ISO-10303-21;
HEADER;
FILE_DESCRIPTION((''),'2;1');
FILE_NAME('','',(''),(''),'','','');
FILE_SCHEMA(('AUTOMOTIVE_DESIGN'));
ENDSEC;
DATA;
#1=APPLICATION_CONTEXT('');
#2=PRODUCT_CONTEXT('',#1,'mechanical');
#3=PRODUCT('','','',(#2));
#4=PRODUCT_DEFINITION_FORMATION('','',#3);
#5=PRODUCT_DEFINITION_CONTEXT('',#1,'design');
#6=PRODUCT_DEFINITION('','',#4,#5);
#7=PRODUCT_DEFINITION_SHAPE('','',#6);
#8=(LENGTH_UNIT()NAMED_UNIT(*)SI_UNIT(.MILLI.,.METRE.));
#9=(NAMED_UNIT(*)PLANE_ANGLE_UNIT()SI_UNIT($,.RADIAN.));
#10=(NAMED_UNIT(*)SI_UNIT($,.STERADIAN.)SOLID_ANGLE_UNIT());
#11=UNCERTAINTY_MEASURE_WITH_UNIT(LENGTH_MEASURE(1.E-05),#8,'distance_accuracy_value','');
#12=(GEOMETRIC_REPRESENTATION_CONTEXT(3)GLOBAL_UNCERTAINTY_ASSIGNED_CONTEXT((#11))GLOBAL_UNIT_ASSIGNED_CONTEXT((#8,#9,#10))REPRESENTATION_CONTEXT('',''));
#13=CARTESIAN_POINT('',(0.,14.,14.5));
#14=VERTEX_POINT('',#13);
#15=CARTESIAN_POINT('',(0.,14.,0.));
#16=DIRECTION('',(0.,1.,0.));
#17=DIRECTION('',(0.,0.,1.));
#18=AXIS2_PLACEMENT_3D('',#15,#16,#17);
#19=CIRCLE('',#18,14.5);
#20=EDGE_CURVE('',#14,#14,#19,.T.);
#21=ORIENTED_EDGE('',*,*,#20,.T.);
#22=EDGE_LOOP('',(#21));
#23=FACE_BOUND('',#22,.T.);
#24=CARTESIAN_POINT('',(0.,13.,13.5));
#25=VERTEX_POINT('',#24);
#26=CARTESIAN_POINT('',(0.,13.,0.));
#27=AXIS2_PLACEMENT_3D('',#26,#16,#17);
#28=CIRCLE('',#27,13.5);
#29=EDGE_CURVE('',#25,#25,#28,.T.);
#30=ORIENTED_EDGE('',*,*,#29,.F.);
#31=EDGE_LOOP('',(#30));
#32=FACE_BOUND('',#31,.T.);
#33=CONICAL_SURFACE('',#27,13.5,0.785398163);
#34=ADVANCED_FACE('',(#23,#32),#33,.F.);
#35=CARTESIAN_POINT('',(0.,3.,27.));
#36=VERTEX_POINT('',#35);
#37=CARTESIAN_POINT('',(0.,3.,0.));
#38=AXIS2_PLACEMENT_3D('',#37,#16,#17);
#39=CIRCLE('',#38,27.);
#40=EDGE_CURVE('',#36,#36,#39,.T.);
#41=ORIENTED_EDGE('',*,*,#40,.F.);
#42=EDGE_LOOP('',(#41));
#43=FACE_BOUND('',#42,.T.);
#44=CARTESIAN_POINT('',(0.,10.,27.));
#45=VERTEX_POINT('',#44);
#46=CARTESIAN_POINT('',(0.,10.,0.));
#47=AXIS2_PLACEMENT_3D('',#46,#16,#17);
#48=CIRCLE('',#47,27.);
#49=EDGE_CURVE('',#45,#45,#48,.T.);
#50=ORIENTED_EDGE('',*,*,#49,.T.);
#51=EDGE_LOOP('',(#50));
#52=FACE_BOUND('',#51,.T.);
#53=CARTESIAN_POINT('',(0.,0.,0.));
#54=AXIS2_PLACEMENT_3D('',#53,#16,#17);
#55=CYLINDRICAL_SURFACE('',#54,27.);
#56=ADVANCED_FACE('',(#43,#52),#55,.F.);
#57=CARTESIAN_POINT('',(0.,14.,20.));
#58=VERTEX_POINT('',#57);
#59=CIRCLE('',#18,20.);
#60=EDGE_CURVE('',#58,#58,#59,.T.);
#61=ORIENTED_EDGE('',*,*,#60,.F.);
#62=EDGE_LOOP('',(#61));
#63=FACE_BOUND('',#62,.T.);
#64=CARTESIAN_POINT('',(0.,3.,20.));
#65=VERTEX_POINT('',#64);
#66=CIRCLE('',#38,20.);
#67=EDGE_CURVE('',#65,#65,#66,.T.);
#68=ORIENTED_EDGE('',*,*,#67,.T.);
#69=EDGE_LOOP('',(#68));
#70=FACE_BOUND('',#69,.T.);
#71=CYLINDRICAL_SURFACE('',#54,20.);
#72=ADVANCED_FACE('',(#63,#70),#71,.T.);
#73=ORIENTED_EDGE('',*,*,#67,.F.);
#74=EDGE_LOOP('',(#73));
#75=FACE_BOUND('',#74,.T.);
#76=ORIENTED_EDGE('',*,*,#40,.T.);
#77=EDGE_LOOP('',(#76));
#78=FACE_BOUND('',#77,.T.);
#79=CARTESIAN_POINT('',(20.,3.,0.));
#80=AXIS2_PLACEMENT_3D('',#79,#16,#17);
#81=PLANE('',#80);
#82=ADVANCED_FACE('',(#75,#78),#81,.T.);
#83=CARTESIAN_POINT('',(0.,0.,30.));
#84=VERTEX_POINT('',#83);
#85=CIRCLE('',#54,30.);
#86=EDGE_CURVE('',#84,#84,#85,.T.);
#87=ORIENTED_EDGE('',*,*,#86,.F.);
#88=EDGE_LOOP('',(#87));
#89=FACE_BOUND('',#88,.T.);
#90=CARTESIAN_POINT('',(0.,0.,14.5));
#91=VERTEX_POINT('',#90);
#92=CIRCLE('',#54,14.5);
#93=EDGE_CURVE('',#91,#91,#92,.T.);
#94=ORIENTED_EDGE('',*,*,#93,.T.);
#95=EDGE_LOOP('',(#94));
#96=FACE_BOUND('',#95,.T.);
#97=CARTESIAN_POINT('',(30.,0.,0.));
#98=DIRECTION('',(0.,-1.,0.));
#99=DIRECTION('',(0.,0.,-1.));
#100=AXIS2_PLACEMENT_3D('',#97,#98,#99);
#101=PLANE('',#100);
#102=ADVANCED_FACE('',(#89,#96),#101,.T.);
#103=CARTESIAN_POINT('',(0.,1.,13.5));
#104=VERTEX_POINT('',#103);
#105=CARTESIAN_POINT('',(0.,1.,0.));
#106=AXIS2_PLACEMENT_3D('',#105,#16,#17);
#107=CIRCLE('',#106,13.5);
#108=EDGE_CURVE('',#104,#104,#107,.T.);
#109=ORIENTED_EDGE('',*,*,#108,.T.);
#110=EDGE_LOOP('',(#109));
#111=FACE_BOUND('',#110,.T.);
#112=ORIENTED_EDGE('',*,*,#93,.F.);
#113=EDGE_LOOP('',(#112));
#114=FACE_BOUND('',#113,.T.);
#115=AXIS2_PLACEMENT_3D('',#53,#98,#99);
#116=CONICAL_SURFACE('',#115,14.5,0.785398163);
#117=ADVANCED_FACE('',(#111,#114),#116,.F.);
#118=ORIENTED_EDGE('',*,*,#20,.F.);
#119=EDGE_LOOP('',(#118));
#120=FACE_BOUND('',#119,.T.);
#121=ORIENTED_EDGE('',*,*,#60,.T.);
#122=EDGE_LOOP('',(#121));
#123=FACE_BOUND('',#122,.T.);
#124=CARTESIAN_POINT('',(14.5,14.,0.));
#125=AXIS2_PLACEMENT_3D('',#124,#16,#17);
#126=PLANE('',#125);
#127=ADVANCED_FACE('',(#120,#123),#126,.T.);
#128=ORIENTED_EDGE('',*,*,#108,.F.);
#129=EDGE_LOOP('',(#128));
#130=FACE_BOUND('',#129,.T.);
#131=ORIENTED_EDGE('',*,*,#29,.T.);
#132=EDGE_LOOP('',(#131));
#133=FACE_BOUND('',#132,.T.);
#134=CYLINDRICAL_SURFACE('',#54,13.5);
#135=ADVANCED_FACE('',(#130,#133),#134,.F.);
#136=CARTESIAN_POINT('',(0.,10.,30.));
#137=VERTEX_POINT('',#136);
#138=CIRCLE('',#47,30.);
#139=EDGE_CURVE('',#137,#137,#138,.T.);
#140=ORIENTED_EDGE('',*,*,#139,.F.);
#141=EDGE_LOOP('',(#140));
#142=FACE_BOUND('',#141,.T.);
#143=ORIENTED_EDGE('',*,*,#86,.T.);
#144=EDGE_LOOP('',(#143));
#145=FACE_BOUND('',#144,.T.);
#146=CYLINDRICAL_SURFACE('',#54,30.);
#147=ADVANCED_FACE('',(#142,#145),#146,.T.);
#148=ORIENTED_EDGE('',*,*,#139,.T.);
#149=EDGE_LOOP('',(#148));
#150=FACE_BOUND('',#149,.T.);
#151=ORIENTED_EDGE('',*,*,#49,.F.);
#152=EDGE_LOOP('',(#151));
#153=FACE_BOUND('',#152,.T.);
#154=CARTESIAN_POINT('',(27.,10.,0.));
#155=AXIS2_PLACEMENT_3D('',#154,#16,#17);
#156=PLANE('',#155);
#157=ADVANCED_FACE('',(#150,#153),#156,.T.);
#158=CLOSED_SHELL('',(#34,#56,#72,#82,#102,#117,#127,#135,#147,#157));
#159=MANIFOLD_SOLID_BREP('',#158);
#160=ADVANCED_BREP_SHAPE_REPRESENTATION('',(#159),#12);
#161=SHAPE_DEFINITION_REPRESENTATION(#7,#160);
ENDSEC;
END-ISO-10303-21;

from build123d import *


with BuildPart() as part:
    # Эскиз1 → Повернуть1 (revolve)
    with BuildSketch(Plane(origin=(0, 0, 0), x_dir=(-1, 0, 0), z_dir=(0, 0, -1)), mode=Mode.PRIVATE) as revolve_1_sk:
        Polygon((-20, 14), (-20, 3), (-27, 3), (-27, 10), (-30, 10), (-30, 0), (-14.5, 0), (-13.5, 1), (-13.5, 13), (-14.5, 14), align=None)
    revolve(revolve_1_sk.sketch.rotate(Axis((0, 0, 0), (0, 1, 0)), 270), axis=Axis((0, 0, 0), (0, 1, 0)))


solid = part.part
